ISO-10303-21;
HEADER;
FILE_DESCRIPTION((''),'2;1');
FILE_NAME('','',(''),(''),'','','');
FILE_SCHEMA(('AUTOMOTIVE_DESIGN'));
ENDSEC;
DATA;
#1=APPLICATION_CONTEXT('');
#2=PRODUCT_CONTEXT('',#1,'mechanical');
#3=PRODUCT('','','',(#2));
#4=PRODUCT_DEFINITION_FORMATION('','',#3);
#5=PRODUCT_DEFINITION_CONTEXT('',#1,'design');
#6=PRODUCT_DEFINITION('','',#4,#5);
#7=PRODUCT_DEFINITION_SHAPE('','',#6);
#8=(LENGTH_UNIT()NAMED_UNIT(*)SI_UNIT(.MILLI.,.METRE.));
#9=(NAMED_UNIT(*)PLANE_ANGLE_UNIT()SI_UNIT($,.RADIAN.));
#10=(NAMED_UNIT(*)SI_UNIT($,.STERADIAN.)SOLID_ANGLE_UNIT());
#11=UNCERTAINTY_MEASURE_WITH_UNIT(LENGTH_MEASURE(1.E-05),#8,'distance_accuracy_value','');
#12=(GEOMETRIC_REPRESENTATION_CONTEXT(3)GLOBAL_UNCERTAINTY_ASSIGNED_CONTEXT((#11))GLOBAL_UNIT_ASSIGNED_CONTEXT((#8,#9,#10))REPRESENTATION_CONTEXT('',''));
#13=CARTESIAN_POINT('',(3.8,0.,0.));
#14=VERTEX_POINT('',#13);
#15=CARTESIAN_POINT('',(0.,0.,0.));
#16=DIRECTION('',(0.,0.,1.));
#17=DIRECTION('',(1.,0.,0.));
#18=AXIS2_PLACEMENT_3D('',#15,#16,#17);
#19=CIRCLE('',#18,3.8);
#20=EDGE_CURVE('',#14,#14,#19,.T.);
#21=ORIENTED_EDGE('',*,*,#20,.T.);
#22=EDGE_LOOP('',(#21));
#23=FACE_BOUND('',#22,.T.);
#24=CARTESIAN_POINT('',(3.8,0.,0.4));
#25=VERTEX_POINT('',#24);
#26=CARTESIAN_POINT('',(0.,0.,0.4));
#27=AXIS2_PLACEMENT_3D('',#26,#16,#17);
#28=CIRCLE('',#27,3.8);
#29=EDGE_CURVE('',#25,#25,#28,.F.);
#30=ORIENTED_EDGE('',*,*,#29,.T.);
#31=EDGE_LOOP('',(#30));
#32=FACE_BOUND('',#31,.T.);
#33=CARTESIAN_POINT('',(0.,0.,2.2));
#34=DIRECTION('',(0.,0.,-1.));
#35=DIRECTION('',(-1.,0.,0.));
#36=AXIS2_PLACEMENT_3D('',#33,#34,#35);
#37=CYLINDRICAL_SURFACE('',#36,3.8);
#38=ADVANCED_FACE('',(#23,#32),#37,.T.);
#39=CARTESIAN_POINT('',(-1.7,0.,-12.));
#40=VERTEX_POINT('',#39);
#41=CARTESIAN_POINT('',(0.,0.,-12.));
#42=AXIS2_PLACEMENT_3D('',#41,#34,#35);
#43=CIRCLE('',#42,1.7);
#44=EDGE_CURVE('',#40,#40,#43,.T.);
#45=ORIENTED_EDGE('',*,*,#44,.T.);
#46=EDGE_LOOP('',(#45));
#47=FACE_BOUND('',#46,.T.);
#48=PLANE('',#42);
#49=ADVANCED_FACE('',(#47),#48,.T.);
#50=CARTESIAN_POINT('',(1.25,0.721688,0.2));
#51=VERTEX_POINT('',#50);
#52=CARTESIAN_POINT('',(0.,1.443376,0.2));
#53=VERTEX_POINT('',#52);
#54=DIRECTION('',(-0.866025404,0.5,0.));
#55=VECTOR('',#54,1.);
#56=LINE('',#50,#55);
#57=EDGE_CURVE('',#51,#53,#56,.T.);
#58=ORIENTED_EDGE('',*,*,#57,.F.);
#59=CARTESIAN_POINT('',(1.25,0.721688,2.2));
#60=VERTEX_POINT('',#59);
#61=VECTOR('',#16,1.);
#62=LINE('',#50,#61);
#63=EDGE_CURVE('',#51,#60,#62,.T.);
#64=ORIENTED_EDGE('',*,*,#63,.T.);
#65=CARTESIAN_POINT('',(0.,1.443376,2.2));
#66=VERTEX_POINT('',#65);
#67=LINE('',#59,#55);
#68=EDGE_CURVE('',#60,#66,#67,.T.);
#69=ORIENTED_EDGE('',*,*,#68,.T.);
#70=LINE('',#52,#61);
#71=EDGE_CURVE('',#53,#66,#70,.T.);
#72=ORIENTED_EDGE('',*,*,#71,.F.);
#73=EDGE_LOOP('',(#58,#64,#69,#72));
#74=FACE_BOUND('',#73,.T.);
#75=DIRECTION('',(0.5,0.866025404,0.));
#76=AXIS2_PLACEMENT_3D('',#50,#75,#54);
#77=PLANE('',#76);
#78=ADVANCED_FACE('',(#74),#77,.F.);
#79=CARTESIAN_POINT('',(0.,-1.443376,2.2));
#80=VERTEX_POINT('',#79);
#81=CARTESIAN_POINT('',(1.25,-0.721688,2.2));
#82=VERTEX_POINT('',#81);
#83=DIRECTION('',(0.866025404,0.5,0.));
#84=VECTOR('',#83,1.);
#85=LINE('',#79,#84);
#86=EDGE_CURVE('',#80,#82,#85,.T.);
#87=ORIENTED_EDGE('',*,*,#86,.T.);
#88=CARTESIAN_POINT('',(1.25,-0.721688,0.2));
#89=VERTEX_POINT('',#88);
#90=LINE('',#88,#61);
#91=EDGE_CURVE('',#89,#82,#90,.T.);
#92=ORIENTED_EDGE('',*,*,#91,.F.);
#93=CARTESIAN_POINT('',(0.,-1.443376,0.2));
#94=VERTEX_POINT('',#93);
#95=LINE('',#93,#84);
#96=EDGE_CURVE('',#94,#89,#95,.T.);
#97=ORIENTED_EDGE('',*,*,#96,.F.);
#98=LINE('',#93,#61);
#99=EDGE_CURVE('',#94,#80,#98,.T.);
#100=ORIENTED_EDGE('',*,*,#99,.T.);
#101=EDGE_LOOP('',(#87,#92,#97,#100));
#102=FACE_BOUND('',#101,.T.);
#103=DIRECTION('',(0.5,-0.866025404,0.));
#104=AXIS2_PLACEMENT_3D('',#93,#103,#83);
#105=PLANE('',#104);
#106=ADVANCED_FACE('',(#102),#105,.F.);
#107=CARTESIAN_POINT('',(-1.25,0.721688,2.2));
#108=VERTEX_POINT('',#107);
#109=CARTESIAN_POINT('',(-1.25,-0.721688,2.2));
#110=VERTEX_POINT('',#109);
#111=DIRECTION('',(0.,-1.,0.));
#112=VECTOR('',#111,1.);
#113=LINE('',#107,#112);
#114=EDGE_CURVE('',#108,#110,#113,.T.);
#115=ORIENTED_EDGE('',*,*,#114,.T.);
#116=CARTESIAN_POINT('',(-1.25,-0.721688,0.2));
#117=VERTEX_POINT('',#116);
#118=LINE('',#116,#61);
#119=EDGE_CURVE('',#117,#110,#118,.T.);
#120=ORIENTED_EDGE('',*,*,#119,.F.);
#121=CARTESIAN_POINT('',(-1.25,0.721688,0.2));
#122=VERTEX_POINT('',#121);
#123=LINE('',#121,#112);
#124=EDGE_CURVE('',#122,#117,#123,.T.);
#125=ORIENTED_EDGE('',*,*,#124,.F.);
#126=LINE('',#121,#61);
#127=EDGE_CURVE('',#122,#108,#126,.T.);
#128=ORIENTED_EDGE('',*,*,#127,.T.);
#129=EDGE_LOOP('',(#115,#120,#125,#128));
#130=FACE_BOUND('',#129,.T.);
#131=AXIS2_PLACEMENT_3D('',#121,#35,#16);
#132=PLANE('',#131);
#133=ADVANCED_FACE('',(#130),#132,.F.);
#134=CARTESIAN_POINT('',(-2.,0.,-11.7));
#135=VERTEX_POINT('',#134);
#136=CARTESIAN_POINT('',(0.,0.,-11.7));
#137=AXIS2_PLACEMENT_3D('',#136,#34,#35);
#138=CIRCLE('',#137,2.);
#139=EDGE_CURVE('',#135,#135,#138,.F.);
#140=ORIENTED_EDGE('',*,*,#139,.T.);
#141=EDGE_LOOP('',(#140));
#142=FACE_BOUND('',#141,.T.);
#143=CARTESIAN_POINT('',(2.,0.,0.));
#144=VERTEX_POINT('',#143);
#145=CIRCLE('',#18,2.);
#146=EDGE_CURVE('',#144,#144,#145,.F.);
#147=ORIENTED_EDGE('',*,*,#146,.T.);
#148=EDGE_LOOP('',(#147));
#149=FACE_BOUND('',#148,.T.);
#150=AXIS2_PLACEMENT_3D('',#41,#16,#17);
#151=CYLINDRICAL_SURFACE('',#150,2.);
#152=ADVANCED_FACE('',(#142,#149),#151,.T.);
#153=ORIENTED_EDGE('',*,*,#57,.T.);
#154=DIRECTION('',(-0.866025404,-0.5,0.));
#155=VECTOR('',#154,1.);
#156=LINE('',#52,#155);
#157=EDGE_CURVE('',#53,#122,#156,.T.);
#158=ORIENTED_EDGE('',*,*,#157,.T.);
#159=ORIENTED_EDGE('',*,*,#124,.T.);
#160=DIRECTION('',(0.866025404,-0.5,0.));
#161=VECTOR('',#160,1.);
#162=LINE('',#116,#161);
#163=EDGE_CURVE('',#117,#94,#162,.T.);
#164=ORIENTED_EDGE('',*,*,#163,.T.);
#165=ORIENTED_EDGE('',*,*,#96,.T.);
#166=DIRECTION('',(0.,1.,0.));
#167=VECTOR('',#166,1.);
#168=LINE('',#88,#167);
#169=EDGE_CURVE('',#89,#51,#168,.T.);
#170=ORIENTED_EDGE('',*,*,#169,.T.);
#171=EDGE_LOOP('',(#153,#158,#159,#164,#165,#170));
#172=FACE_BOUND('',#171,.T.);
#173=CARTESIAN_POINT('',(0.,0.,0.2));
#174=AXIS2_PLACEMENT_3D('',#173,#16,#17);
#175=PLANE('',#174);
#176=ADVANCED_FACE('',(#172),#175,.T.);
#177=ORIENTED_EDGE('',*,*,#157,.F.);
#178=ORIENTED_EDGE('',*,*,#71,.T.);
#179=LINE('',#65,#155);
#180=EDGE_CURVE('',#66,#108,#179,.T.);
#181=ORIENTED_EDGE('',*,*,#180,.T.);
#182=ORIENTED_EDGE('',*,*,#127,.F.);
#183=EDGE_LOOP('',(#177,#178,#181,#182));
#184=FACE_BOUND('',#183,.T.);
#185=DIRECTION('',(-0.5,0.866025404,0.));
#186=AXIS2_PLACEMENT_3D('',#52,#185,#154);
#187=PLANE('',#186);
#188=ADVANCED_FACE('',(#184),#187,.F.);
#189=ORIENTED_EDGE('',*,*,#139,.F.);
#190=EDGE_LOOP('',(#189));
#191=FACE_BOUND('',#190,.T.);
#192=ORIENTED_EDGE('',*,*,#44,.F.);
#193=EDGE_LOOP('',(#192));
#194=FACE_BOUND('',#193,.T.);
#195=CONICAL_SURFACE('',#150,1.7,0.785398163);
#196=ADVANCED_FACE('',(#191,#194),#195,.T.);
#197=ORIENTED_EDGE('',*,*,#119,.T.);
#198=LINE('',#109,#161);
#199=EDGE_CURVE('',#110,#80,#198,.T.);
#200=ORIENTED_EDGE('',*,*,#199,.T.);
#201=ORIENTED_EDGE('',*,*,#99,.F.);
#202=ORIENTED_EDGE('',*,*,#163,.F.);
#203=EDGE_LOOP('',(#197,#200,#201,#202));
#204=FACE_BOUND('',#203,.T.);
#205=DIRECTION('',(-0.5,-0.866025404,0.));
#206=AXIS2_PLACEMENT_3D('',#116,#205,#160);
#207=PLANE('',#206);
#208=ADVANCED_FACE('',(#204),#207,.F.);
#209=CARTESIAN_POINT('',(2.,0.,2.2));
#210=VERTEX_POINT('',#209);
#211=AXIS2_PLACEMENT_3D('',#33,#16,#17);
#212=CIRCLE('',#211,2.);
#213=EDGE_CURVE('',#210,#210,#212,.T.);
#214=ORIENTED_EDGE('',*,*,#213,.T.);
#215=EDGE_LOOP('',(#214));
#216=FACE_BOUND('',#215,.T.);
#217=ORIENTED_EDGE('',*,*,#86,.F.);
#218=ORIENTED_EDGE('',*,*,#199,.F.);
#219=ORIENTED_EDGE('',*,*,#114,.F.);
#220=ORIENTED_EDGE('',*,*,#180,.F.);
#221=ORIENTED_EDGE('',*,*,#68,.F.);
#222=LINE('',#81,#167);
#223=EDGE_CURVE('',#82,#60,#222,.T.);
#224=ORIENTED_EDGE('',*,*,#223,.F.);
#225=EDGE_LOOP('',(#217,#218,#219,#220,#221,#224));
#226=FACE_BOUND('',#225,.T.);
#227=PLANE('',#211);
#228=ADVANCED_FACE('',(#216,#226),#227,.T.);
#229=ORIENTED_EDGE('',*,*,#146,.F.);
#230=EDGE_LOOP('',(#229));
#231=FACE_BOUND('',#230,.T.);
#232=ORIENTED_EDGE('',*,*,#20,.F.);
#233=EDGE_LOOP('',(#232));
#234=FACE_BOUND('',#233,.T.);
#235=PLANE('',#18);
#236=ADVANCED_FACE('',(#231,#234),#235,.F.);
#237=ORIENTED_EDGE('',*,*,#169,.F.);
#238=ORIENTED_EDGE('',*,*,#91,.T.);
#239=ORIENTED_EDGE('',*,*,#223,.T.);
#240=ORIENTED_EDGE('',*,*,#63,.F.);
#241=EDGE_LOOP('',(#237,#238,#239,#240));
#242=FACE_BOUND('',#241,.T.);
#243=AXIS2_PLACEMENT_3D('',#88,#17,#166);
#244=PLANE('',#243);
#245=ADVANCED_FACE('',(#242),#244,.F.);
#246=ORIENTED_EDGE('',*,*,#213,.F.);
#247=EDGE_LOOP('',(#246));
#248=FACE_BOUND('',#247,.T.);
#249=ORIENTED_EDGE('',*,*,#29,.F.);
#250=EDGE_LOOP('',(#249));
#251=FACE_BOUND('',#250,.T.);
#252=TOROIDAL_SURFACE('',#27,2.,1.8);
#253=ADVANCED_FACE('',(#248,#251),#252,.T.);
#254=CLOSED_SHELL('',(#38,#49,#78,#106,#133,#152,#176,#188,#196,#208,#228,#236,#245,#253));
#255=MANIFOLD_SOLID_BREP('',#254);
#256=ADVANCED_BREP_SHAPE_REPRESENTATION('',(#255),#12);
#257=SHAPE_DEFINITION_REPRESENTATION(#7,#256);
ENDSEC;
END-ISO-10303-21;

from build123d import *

# Parameters (mm, degrees)
SKETCH1_R           = 3.8
BOSS_EXTRUDE1_DEPTH = 2.2
SKETCH2_R           = 2
BOSS_EXTRUDE2_DEPTH = 12
CHAMFER1_SIZE       = 0.3
CUT_EXTRUDE1_DEPTH  = 2
FILLET1_R           = 1.8


with BuildPart() as part:
    # Sketch1 → Boss-Extrude1 (new body)
    with BuildSketch(Plane.XY):
        Circle(SKETCH1_R)
    extrude(amount=BOSS_EXTRUDE1_DEPTH)

    # Sketch2 → Boss-Extrude2 (add)
    with BuildSketch(Plane(origin=(0, 0, 0), x_dir=(-1, 0, 0), z_dir=(0, 0, -1))):
        Circle(SKETCH2_R)
    extrude(amount=BOSS_EXTRUDE2_DEPTH)

    # Chamfer1
    chamfer1_edges = [part.edges().sort_by_distance(p)[0] for p in [
        (2, 0, -12),
    ]]
    chamfer(chamfer1_edges, length=CHAMFER1_SIZE)

    # Sketch3 → Cut-Extrude1 (cut)
    with BuildSketch(Plane.XY.offset(2.2)):
        Polygon((0, 1.443375673), (-1.25, 0.721687836), (-1.25, -0.721687836), (0, -1.443375673), (1.25, -0.721687836), (1.25, 0.721687836), align=None)
    extrude(amount=-CUT_EXTRUDE1_DEPTH, mode=Mode.SUBTRACT)

    # Fillet1
    fillet1_edges = [part.edges().sort_by_distance(p)[0] for p in [
        (-3.8, 0, 2.2),
    ]]
    fillet(fillet1_edges, radius=FILLET1_R)


solid = part.part
